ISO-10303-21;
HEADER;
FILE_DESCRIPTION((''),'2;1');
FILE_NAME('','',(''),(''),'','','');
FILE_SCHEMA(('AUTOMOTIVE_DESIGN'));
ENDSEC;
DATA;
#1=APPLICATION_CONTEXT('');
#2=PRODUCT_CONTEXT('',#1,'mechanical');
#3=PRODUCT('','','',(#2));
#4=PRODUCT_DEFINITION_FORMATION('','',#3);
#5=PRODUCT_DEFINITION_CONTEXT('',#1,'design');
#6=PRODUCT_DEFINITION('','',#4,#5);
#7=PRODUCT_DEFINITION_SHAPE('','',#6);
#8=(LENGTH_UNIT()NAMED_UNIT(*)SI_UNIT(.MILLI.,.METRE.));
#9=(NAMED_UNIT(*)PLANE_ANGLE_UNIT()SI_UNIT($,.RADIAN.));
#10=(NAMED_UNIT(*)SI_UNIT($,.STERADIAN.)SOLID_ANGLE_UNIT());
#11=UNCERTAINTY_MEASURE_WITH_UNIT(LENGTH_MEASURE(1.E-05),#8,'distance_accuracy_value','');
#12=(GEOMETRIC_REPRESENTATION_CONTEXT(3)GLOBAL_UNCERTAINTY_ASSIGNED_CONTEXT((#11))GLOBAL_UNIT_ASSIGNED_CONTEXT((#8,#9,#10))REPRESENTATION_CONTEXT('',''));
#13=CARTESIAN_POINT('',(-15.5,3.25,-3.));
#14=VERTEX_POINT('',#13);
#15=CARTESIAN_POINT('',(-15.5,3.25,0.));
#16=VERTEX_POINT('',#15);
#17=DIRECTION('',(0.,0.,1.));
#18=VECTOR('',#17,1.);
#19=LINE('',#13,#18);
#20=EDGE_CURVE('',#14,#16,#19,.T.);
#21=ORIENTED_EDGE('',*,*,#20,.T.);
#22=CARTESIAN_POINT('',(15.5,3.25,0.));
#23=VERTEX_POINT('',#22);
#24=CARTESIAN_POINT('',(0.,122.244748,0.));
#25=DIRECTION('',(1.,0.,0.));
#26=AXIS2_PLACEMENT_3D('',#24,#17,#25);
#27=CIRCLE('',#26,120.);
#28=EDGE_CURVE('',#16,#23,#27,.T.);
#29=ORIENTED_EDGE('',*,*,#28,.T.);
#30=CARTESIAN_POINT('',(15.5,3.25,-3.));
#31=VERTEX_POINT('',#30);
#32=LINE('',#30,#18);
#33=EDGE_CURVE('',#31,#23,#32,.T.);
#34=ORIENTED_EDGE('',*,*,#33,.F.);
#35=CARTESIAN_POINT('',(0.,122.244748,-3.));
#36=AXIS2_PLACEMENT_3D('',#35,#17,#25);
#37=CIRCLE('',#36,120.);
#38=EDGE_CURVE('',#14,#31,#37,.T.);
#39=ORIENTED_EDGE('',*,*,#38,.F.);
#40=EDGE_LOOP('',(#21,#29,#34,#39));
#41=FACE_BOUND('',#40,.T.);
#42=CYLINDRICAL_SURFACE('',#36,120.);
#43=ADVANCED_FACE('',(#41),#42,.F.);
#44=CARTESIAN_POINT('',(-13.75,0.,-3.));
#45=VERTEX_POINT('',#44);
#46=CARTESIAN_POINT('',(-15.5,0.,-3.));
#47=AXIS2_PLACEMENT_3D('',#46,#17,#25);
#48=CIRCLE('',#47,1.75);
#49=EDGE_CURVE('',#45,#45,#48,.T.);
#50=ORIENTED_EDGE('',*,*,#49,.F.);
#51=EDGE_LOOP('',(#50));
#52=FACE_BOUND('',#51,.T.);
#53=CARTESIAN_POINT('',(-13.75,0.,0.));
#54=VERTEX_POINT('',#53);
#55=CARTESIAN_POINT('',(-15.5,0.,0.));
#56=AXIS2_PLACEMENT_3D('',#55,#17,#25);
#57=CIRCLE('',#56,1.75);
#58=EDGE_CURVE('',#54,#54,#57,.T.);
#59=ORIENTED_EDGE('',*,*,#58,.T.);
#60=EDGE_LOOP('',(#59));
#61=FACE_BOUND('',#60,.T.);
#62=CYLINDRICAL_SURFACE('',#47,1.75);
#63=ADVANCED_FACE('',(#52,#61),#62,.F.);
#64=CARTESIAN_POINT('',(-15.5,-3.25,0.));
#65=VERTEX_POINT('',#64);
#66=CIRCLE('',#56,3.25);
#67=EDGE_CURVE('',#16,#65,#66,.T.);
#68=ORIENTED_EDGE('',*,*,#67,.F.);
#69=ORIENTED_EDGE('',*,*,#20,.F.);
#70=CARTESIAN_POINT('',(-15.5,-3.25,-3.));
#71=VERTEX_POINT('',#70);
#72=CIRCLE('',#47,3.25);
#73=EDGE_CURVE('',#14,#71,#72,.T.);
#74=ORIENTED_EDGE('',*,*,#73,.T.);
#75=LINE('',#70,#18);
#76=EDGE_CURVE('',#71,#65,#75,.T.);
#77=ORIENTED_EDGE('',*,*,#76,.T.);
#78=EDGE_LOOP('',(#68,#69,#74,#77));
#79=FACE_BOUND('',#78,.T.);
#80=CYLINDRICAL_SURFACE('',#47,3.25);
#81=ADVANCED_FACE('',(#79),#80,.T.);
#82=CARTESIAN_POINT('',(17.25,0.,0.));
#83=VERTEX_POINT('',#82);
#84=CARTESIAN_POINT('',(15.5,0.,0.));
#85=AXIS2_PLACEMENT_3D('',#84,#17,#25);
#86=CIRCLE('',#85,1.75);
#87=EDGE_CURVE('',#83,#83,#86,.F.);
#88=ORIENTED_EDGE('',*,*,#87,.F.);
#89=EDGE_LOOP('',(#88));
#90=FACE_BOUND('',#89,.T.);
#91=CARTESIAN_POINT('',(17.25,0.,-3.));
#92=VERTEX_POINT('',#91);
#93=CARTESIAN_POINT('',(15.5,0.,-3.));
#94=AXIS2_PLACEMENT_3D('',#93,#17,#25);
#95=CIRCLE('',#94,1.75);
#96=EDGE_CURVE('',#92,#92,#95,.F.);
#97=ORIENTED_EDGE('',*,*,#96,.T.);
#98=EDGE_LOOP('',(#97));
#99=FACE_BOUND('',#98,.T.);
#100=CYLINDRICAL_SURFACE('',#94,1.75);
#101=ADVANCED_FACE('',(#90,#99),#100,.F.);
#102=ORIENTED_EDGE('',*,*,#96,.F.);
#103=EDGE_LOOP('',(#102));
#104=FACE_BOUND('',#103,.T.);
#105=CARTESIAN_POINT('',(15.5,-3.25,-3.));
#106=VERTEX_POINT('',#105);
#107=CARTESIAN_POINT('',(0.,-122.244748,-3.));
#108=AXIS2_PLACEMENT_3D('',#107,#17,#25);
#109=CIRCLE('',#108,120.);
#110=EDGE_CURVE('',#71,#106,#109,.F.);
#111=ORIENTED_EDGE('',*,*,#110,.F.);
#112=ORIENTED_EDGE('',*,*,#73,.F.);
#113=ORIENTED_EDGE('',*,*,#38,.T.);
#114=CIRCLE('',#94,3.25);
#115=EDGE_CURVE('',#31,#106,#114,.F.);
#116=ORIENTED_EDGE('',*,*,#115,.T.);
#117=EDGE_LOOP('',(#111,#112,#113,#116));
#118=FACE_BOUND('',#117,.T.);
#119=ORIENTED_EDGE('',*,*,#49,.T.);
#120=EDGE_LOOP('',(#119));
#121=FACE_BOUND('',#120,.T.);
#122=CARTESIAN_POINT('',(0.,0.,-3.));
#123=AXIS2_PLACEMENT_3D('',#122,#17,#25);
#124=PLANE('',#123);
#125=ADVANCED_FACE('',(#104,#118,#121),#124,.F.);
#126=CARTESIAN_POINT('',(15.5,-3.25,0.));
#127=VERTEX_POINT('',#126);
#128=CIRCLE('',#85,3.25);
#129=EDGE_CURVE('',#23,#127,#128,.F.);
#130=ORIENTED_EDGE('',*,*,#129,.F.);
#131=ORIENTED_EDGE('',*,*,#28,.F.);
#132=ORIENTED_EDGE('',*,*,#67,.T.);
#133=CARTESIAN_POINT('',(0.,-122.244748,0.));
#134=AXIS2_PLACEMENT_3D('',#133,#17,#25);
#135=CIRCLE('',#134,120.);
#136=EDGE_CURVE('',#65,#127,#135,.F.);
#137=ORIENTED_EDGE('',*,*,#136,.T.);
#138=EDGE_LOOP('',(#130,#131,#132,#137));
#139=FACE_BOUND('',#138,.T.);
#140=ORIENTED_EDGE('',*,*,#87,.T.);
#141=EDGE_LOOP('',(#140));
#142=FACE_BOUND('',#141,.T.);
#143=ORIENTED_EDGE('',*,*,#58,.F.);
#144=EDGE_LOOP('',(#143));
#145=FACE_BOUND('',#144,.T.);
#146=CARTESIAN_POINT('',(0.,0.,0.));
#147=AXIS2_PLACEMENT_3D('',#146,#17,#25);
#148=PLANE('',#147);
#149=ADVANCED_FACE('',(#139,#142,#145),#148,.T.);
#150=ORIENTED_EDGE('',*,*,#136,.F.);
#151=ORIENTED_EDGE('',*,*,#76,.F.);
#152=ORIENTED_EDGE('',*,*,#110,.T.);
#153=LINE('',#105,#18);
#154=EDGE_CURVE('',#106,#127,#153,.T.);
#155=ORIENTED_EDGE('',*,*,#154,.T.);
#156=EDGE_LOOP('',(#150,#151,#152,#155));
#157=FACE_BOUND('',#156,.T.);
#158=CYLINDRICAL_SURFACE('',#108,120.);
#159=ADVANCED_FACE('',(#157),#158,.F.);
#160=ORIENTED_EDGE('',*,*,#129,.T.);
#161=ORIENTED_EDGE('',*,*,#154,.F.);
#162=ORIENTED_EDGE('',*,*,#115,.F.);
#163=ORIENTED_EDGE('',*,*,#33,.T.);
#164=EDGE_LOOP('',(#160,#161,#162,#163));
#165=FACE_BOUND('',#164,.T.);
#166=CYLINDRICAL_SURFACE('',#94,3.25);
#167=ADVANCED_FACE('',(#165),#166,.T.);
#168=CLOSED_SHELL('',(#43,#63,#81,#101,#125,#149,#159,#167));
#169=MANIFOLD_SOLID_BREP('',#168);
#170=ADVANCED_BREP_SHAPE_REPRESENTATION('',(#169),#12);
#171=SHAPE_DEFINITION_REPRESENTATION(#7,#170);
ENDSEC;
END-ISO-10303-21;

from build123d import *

# Parameters (mm, degrees)
SKETCH1_R           = 1.75
BOSS_EXTRUDE1_DEPTH = 3


with BuildPart() as part:
    # Sketch1 → Boss-Extrude1 (new body)
    with BuildSketch(Plane.XY):
        with BuildLine():
            ThreePointArc((14.688874122, 3.147153446), (0, 2.244747783), (-14.688874122, 3.147153446))
            ThreePointArc((-14.688874122, 3.147153446), (-15.094524654, 3.197885895), (-15.5, 3.25))
            ThreePointArc((-15.5, 3.25), (-18.75, 0), (-15.5, -3.25))
            ThreePointArc((-15.5, -3.25), (-15.094524654, -3.197885895), (-14.688874122, -3.147153446))
            ThreePointArc((-14.688874122, -3.147153446), (0, -2.244747783), (14.688874122, -3.147153446))
            ThreePointArc((14.688874122, -3.147153446), (15.094524654, -3.197885895), (15.5, -3.25))
            ThreePointArc((15.5, -3.25), (18.75, 0), (15.5, 3.25))
            ThreePointArc((15.5, 3.25), (15.094524654, 3.197885895), (14.688874122, 3.147153446))
        make_face()
        with Locations((-15.5, 0)):
            Circle(SKETCH1_R, mode=Mode.SUBTRACT)
        with Locations((15.5, 0)):
            Circle(SKETCH1_R, mode=Mode.SUBTRACT)
    extrude(amount=-BOSS_EXTRUDE1_DEPTH)


solid = part.part
